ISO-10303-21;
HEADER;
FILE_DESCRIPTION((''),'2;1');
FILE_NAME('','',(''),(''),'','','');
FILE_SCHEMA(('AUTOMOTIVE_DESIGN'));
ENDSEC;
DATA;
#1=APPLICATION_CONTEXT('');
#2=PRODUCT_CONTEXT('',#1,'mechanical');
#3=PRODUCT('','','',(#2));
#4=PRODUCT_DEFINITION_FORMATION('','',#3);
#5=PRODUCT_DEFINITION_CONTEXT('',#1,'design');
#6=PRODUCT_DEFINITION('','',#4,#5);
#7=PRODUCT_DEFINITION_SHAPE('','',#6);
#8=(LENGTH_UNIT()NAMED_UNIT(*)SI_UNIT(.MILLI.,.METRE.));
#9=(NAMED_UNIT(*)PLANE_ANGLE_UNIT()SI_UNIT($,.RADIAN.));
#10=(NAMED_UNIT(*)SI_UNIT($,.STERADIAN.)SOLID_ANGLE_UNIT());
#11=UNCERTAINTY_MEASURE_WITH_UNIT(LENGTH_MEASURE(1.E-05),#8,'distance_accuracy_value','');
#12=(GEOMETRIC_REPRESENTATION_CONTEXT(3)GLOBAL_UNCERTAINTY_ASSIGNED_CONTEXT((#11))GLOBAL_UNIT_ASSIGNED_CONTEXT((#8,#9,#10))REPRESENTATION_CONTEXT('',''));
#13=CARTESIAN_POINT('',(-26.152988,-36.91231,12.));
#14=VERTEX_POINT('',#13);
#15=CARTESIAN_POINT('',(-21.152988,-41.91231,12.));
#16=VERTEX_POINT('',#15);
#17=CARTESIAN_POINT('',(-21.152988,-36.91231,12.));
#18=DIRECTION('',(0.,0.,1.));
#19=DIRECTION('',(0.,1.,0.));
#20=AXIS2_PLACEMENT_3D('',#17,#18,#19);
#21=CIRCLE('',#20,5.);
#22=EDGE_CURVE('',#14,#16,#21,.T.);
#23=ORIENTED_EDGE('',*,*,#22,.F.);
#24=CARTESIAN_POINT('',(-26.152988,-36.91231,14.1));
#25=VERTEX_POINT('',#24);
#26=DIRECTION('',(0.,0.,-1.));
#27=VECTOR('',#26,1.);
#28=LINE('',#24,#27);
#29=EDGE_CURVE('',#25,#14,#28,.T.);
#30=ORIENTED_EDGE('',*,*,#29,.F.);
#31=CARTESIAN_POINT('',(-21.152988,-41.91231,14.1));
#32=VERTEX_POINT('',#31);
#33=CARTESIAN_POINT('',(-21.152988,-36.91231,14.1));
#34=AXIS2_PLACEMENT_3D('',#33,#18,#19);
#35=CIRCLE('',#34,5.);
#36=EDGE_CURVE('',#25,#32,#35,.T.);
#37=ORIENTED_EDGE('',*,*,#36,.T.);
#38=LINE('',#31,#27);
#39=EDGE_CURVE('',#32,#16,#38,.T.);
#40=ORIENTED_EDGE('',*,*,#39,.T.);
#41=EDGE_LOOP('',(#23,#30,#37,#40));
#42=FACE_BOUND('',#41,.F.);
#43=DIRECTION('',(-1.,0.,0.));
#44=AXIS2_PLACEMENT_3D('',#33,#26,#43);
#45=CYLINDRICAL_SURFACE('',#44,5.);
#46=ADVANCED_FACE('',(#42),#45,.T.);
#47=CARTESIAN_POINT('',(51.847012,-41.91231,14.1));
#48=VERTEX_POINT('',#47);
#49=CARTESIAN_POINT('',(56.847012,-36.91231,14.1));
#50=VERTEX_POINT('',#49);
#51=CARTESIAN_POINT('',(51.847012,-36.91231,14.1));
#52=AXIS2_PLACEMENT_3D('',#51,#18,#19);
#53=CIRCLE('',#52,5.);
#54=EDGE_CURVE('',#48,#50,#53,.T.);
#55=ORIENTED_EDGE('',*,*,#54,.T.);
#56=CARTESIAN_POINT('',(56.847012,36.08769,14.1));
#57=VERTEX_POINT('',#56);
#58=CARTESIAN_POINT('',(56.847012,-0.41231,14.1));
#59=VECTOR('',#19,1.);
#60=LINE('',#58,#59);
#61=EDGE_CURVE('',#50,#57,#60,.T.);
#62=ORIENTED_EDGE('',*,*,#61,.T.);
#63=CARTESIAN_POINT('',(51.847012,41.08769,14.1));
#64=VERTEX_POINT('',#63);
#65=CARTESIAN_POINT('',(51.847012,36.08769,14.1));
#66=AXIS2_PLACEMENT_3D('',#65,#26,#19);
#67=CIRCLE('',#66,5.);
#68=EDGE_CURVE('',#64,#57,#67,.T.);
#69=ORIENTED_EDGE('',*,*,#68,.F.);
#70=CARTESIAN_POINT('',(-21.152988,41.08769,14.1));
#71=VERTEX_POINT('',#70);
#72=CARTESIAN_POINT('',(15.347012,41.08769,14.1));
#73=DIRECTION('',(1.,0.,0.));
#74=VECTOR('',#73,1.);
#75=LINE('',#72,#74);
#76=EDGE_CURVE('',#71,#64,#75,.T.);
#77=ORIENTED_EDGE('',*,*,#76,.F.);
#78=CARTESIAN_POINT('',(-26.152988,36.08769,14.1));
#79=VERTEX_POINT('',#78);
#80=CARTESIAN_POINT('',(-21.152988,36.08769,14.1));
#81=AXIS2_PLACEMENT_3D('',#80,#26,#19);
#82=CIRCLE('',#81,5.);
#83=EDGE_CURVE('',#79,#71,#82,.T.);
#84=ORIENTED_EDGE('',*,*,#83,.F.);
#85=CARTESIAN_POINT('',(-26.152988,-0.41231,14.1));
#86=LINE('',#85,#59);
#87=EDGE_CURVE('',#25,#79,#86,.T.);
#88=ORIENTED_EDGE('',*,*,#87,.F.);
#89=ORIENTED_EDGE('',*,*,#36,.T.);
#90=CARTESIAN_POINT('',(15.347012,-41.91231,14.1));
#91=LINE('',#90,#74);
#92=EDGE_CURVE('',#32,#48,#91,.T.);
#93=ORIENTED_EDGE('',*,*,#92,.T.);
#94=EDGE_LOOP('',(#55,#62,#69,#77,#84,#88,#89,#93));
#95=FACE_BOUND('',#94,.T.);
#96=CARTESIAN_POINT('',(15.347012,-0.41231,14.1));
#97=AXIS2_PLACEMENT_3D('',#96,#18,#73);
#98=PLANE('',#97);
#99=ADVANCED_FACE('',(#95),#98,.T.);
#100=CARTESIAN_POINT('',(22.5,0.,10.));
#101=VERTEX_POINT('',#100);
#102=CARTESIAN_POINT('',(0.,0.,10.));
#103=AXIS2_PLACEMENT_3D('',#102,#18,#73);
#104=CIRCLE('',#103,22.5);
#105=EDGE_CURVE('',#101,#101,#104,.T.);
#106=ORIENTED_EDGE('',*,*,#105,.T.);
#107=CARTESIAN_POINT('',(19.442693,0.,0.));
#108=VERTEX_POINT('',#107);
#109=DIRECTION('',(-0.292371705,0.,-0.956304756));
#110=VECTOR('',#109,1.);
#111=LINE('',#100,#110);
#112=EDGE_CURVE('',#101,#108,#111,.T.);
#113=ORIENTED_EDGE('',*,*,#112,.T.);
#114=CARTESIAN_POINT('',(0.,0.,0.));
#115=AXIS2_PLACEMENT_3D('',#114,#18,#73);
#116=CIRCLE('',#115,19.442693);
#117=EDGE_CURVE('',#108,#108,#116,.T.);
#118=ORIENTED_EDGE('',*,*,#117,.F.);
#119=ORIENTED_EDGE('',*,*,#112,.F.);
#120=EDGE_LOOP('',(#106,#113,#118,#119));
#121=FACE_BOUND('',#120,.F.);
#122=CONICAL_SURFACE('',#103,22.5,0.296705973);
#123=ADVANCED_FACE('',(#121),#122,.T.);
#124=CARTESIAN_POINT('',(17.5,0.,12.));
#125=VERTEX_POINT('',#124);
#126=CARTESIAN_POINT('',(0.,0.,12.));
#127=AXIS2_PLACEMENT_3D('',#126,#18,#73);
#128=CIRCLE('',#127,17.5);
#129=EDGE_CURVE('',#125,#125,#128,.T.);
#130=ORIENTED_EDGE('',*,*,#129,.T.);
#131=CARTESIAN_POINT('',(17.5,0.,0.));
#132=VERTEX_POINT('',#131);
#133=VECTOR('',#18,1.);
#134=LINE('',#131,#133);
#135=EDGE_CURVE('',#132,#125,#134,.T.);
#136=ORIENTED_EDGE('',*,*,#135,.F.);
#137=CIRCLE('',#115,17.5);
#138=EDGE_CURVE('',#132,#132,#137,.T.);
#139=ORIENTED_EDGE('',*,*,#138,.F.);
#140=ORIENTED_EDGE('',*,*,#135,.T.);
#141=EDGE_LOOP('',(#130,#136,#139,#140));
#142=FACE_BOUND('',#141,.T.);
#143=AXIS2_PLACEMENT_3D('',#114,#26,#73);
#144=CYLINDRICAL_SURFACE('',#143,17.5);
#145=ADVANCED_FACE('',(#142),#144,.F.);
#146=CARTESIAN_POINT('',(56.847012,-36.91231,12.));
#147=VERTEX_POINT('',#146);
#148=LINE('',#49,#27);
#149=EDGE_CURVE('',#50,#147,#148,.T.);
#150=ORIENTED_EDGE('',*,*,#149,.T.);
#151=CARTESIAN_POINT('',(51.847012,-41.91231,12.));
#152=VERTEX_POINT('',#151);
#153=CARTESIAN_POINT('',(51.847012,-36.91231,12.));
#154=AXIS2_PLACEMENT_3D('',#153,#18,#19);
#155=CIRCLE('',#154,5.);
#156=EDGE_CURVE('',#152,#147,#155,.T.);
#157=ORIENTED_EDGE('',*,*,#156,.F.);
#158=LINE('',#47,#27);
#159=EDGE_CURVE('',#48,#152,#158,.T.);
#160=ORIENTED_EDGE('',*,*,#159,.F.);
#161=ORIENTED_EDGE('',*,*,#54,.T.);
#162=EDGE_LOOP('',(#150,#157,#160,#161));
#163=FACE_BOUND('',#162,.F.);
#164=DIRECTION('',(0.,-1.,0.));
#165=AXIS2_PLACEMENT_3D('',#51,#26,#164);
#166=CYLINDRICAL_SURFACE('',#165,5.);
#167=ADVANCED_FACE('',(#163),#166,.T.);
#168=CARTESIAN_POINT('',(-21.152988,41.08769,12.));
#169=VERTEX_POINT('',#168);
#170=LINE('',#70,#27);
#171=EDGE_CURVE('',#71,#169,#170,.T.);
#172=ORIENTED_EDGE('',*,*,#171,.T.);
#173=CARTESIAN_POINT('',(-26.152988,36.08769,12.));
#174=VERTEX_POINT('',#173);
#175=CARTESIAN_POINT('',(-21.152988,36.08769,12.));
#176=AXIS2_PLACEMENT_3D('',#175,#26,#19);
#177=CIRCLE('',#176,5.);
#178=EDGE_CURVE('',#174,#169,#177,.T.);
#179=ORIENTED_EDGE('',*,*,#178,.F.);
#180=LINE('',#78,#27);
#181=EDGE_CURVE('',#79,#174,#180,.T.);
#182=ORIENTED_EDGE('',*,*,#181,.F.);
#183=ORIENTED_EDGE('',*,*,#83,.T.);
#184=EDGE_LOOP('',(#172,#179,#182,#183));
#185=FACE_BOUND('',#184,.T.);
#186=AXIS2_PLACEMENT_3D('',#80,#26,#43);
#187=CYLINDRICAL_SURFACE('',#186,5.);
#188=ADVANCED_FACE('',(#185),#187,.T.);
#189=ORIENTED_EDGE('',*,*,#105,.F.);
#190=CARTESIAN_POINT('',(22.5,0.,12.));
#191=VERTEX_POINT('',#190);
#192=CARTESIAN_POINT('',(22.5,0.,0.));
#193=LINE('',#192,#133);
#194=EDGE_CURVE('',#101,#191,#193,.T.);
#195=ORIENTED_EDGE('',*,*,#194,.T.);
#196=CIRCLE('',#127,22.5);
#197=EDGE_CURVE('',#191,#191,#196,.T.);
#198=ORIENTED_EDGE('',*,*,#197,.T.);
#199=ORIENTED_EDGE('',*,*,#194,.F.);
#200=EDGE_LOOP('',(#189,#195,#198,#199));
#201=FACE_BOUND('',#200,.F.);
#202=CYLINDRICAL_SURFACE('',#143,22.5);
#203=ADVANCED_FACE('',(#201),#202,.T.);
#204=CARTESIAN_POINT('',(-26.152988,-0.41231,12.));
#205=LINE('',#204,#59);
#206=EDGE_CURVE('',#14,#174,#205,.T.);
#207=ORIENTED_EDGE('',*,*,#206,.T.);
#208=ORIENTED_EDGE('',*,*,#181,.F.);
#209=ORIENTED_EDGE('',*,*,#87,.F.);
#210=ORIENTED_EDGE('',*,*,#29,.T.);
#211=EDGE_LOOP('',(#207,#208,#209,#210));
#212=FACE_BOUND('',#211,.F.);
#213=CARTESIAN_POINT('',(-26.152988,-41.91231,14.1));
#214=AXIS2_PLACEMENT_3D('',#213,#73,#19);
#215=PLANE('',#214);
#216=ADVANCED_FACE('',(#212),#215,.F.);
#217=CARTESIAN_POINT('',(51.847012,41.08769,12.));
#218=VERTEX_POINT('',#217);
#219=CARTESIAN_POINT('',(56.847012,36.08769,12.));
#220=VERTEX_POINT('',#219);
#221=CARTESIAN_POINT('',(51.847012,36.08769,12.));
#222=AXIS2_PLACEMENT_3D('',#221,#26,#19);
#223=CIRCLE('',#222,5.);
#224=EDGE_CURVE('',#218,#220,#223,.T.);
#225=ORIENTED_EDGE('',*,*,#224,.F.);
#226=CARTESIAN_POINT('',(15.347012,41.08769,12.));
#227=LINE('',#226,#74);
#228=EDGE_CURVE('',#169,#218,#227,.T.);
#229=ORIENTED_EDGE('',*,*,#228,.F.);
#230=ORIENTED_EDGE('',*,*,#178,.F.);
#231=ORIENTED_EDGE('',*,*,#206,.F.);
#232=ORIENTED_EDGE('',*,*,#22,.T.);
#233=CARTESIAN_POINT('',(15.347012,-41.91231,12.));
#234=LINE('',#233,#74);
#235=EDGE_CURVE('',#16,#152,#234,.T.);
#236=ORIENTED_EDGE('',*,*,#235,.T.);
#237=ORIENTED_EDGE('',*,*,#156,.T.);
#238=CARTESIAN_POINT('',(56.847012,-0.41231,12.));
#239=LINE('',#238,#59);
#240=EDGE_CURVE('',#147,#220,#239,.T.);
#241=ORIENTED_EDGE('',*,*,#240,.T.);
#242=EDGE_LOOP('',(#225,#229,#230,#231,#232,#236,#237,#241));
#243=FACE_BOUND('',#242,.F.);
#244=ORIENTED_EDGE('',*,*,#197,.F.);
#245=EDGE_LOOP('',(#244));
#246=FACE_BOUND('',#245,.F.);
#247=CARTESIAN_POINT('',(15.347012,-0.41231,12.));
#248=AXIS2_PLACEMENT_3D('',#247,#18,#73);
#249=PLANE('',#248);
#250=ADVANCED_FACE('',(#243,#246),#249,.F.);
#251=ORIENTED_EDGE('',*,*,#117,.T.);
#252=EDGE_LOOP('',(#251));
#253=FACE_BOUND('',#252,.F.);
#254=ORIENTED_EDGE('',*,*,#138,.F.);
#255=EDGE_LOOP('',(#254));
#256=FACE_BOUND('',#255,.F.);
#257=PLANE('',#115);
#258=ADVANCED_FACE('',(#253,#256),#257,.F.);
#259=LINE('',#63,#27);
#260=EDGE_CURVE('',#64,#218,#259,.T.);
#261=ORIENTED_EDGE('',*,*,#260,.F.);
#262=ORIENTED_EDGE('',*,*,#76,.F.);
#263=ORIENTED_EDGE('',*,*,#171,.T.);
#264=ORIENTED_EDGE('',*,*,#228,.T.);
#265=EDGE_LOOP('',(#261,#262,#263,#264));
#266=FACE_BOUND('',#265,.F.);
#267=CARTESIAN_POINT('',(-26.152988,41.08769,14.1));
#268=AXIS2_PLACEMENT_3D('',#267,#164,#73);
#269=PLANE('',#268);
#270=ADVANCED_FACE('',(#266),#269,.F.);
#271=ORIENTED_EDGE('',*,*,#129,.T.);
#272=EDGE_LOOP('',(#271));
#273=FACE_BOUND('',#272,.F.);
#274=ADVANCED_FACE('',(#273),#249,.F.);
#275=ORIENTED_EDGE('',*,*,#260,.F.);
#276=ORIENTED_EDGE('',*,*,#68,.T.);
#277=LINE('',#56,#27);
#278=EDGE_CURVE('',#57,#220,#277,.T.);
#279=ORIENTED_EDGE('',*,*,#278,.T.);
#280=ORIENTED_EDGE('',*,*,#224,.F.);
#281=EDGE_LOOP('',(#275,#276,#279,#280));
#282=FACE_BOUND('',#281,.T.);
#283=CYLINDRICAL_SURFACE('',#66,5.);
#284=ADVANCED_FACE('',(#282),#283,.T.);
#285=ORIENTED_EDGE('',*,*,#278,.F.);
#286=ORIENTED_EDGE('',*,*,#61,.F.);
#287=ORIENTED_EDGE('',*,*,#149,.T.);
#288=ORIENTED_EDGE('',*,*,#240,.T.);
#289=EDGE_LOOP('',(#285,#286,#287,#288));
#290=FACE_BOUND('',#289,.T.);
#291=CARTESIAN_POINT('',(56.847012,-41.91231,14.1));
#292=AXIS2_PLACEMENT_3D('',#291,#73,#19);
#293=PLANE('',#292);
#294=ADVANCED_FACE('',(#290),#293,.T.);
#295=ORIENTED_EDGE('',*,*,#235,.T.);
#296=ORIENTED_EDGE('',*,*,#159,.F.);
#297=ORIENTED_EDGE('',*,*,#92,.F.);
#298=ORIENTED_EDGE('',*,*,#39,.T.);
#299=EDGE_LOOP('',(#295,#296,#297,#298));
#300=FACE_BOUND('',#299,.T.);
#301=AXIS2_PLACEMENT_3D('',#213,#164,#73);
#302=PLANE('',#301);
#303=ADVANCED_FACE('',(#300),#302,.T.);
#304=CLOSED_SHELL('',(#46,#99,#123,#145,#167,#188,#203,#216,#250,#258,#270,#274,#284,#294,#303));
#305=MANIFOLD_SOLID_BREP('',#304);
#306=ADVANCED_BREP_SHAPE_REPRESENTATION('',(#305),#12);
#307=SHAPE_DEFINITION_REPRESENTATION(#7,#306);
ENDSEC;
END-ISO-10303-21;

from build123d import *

# Parameters (mm, degrees)
F0_R     = 22.5
F0_R_2   = 17.5
F1_DEPTH = 12
F2_SIZE2 = 3.0573068146
F2_SIZE  = 10
F4_W     = 83
F4_H     = 83
F5_DEPTH = 2.1
F6_R     = 5


with BuildPart() as f1:
    # F0 (on Top) → F1 (new body)
    with BuildSketch(Plane.XY):
        Circle(F0_R)
        Circle(F0_R_2, mode=Mode.SUBTRACT)
    extrude(amount=F1_DEPTH)

    # F2
    f2_edges = [f1.edges().sort_by_distance(p)[0] for p in [
        (-22.5, 0, 0),
    ]]
    f2_side = f1.faces().sort_by_distance((-22.5, 0, 6))[0]
    chamfer(f2_edges, length=F2_SIZE, length2=F2_SIZE2, reference=f2_side)

    # F4 (on offset) → F5 (join)
    with BuildSketch(Plane.XY.offset(14.1)):
        with Locations((15.3470120901, -0.4123098433)):
            Rectangle(F4_W, F4_H)
    extrude(amount=-F5_DEPTH)

    # F6
    f6_edges = [f1.edges().sort_by_distance(p)[0] for p in [
        (-26.152988, -41.91231, 13.05),
        (56.847012, -41.91231, 13.05),
        (-26.152988, 41.08769, 13.05),
        (56.847012, 41.08769, 13.05),
    ]]
    fillet(f6_edges, radius=F6_R)


solid = f1.part
